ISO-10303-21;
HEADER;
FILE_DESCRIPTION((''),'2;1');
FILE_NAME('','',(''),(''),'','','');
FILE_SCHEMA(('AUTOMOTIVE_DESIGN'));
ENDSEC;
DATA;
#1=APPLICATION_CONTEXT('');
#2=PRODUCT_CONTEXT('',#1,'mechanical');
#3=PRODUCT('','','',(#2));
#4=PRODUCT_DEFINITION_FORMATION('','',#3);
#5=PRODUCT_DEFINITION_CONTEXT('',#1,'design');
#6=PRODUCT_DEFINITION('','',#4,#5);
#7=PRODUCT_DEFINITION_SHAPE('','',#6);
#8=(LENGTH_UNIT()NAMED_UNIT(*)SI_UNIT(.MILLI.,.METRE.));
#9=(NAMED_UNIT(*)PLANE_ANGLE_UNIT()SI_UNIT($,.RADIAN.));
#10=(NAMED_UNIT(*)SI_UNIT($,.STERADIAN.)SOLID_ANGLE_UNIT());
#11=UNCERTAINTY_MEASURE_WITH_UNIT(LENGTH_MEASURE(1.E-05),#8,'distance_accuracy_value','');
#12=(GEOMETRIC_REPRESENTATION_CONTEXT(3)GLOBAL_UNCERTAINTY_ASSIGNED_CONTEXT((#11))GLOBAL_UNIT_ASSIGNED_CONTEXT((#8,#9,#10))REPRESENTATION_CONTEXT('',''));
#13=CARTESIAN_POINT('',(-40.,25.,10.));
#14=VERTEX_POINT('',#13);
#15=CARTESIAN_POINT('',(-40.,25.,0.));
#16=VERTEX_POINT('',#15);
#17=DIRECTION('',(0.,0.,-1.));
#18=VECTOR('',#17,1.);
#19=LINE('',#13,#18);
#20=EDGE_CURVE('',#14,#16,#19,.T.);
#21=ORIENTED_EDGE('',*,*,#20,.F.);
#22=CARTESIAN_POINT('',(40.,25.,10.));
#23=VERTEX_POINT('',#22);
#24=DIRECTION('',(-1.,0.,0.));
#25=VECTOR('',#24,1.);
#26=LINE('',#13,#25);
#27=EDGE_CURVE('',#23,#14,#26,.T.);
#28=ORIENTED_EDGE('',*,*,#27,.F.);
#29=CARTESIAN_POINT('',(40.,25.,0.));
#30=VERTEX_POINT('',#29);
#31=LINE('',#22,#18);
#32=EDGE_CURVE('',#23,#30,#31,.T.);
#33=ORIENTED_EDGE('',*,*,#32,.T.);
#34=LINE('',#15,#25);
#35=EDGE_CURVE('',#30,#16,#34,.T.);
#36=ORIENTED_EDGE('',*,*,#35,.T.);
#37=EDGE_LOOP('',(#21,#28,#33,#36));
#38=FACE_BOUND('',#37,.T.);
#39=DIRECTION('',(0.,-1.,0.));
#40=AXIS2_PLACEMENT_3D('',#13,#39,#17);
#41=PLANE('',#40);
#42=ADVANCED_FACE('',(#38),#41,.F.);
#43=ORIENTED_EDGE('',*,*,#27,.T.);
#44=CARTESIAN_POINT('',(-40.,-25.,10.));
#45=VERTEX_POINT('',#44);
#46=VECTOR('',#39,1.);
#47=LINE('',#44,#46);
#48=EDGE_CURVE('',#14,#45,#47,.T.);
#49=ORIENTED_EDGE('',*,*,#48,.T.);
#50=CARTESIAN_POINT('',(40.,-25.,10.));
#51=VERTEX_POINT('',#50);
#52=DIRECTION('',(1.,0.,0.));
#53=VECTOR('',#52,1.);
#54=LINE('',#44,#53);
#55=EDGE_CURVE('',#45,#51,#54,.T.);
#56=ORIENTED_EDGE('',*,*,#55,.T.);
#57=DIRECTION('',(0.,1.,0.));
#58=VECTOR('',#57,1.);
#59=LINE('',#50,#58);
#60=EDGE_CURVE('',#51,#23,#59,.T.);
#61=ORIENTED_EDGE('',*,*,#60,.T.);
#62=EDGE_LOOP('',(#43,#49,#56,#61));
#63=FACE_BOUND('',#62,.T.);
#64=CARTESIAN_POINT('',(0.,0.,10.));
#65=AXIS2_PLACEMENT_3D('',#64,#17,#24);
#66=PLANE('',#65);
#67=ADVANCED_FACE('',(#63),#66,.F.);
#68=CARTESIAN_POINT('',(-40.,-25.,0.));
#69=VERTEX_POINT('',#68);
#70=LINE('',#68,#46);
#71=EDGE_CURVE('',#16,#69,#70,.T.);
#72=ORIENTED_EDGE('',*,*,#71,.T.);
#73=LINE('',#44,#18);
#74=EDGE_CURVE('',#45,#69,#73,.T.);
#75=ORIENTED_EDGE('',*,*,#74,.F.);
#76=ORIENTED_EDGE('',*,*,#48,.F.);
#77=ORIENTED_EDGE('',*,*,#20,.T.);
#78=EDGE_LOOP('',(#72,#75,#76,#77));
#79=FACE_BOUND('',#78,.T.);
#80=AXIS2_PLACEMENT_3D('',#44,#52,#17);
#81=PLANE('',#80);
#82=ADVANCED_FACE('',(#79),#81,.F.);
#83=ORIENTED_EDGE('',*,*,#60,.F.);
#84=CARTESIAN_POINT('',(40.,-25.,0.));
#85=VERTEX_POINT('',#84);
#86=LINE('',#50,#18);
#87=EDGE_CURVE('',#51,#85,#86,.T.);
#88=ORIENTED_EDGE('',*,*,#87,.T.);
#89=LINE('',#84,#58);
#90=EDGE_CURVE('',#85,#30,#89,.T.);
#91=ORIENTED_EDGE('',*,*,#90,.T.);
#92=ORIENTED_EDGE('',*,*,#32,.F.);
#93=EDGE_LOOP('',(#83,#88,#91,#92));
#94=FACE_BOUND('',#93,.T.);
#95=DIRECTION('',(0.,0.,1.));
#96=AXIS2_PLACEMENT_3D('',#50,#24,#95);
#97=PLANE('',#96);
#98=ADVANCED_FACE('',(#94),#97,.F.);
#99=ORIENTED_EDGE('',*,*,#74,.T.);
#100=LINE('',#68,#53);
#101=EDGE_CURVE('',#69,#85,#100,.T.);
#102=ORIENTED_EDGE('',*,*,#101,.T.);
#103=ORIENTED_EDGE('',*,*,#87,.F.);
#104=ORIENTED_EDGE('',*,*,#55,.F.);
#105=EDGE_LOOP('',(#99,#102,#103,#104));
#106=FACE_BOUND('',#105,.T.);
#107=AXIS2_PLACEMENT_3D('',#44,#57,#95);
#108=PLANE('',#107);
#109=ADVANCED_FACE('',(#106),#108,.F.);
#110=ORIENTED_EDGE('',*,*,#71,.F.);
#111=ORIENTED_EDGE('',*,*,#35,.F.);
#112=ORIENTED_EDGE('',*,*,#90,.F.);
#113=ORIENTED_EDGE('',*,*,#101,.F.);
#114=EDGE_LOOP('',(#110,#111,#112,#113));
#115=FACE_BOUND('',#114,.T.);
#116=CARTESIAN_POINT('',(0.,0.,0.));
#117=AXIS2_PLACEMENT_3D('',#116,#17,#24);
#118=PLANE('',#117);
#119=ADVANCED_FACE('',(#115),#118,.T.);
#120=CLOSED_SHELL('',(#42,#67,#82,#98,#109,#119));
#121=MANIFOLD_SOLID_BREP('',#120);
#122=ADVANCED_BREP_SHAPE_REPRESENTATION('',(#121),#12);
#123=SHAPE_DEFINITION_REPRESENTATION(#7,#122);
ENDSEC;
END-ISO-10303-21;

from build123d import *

# Parameters (mm, degrees)
BASE_W      = 80
BASE_H      = 50
BLOCK_DEPTH = 10


with BuildPart() as part:
    # base → block (new body)
    with BuildSketch(Plane.XY):
        Rectangle(BASE_W, BASE_H)
    extrude(amount=BLOCK_DEPTH)


solid = part.part
